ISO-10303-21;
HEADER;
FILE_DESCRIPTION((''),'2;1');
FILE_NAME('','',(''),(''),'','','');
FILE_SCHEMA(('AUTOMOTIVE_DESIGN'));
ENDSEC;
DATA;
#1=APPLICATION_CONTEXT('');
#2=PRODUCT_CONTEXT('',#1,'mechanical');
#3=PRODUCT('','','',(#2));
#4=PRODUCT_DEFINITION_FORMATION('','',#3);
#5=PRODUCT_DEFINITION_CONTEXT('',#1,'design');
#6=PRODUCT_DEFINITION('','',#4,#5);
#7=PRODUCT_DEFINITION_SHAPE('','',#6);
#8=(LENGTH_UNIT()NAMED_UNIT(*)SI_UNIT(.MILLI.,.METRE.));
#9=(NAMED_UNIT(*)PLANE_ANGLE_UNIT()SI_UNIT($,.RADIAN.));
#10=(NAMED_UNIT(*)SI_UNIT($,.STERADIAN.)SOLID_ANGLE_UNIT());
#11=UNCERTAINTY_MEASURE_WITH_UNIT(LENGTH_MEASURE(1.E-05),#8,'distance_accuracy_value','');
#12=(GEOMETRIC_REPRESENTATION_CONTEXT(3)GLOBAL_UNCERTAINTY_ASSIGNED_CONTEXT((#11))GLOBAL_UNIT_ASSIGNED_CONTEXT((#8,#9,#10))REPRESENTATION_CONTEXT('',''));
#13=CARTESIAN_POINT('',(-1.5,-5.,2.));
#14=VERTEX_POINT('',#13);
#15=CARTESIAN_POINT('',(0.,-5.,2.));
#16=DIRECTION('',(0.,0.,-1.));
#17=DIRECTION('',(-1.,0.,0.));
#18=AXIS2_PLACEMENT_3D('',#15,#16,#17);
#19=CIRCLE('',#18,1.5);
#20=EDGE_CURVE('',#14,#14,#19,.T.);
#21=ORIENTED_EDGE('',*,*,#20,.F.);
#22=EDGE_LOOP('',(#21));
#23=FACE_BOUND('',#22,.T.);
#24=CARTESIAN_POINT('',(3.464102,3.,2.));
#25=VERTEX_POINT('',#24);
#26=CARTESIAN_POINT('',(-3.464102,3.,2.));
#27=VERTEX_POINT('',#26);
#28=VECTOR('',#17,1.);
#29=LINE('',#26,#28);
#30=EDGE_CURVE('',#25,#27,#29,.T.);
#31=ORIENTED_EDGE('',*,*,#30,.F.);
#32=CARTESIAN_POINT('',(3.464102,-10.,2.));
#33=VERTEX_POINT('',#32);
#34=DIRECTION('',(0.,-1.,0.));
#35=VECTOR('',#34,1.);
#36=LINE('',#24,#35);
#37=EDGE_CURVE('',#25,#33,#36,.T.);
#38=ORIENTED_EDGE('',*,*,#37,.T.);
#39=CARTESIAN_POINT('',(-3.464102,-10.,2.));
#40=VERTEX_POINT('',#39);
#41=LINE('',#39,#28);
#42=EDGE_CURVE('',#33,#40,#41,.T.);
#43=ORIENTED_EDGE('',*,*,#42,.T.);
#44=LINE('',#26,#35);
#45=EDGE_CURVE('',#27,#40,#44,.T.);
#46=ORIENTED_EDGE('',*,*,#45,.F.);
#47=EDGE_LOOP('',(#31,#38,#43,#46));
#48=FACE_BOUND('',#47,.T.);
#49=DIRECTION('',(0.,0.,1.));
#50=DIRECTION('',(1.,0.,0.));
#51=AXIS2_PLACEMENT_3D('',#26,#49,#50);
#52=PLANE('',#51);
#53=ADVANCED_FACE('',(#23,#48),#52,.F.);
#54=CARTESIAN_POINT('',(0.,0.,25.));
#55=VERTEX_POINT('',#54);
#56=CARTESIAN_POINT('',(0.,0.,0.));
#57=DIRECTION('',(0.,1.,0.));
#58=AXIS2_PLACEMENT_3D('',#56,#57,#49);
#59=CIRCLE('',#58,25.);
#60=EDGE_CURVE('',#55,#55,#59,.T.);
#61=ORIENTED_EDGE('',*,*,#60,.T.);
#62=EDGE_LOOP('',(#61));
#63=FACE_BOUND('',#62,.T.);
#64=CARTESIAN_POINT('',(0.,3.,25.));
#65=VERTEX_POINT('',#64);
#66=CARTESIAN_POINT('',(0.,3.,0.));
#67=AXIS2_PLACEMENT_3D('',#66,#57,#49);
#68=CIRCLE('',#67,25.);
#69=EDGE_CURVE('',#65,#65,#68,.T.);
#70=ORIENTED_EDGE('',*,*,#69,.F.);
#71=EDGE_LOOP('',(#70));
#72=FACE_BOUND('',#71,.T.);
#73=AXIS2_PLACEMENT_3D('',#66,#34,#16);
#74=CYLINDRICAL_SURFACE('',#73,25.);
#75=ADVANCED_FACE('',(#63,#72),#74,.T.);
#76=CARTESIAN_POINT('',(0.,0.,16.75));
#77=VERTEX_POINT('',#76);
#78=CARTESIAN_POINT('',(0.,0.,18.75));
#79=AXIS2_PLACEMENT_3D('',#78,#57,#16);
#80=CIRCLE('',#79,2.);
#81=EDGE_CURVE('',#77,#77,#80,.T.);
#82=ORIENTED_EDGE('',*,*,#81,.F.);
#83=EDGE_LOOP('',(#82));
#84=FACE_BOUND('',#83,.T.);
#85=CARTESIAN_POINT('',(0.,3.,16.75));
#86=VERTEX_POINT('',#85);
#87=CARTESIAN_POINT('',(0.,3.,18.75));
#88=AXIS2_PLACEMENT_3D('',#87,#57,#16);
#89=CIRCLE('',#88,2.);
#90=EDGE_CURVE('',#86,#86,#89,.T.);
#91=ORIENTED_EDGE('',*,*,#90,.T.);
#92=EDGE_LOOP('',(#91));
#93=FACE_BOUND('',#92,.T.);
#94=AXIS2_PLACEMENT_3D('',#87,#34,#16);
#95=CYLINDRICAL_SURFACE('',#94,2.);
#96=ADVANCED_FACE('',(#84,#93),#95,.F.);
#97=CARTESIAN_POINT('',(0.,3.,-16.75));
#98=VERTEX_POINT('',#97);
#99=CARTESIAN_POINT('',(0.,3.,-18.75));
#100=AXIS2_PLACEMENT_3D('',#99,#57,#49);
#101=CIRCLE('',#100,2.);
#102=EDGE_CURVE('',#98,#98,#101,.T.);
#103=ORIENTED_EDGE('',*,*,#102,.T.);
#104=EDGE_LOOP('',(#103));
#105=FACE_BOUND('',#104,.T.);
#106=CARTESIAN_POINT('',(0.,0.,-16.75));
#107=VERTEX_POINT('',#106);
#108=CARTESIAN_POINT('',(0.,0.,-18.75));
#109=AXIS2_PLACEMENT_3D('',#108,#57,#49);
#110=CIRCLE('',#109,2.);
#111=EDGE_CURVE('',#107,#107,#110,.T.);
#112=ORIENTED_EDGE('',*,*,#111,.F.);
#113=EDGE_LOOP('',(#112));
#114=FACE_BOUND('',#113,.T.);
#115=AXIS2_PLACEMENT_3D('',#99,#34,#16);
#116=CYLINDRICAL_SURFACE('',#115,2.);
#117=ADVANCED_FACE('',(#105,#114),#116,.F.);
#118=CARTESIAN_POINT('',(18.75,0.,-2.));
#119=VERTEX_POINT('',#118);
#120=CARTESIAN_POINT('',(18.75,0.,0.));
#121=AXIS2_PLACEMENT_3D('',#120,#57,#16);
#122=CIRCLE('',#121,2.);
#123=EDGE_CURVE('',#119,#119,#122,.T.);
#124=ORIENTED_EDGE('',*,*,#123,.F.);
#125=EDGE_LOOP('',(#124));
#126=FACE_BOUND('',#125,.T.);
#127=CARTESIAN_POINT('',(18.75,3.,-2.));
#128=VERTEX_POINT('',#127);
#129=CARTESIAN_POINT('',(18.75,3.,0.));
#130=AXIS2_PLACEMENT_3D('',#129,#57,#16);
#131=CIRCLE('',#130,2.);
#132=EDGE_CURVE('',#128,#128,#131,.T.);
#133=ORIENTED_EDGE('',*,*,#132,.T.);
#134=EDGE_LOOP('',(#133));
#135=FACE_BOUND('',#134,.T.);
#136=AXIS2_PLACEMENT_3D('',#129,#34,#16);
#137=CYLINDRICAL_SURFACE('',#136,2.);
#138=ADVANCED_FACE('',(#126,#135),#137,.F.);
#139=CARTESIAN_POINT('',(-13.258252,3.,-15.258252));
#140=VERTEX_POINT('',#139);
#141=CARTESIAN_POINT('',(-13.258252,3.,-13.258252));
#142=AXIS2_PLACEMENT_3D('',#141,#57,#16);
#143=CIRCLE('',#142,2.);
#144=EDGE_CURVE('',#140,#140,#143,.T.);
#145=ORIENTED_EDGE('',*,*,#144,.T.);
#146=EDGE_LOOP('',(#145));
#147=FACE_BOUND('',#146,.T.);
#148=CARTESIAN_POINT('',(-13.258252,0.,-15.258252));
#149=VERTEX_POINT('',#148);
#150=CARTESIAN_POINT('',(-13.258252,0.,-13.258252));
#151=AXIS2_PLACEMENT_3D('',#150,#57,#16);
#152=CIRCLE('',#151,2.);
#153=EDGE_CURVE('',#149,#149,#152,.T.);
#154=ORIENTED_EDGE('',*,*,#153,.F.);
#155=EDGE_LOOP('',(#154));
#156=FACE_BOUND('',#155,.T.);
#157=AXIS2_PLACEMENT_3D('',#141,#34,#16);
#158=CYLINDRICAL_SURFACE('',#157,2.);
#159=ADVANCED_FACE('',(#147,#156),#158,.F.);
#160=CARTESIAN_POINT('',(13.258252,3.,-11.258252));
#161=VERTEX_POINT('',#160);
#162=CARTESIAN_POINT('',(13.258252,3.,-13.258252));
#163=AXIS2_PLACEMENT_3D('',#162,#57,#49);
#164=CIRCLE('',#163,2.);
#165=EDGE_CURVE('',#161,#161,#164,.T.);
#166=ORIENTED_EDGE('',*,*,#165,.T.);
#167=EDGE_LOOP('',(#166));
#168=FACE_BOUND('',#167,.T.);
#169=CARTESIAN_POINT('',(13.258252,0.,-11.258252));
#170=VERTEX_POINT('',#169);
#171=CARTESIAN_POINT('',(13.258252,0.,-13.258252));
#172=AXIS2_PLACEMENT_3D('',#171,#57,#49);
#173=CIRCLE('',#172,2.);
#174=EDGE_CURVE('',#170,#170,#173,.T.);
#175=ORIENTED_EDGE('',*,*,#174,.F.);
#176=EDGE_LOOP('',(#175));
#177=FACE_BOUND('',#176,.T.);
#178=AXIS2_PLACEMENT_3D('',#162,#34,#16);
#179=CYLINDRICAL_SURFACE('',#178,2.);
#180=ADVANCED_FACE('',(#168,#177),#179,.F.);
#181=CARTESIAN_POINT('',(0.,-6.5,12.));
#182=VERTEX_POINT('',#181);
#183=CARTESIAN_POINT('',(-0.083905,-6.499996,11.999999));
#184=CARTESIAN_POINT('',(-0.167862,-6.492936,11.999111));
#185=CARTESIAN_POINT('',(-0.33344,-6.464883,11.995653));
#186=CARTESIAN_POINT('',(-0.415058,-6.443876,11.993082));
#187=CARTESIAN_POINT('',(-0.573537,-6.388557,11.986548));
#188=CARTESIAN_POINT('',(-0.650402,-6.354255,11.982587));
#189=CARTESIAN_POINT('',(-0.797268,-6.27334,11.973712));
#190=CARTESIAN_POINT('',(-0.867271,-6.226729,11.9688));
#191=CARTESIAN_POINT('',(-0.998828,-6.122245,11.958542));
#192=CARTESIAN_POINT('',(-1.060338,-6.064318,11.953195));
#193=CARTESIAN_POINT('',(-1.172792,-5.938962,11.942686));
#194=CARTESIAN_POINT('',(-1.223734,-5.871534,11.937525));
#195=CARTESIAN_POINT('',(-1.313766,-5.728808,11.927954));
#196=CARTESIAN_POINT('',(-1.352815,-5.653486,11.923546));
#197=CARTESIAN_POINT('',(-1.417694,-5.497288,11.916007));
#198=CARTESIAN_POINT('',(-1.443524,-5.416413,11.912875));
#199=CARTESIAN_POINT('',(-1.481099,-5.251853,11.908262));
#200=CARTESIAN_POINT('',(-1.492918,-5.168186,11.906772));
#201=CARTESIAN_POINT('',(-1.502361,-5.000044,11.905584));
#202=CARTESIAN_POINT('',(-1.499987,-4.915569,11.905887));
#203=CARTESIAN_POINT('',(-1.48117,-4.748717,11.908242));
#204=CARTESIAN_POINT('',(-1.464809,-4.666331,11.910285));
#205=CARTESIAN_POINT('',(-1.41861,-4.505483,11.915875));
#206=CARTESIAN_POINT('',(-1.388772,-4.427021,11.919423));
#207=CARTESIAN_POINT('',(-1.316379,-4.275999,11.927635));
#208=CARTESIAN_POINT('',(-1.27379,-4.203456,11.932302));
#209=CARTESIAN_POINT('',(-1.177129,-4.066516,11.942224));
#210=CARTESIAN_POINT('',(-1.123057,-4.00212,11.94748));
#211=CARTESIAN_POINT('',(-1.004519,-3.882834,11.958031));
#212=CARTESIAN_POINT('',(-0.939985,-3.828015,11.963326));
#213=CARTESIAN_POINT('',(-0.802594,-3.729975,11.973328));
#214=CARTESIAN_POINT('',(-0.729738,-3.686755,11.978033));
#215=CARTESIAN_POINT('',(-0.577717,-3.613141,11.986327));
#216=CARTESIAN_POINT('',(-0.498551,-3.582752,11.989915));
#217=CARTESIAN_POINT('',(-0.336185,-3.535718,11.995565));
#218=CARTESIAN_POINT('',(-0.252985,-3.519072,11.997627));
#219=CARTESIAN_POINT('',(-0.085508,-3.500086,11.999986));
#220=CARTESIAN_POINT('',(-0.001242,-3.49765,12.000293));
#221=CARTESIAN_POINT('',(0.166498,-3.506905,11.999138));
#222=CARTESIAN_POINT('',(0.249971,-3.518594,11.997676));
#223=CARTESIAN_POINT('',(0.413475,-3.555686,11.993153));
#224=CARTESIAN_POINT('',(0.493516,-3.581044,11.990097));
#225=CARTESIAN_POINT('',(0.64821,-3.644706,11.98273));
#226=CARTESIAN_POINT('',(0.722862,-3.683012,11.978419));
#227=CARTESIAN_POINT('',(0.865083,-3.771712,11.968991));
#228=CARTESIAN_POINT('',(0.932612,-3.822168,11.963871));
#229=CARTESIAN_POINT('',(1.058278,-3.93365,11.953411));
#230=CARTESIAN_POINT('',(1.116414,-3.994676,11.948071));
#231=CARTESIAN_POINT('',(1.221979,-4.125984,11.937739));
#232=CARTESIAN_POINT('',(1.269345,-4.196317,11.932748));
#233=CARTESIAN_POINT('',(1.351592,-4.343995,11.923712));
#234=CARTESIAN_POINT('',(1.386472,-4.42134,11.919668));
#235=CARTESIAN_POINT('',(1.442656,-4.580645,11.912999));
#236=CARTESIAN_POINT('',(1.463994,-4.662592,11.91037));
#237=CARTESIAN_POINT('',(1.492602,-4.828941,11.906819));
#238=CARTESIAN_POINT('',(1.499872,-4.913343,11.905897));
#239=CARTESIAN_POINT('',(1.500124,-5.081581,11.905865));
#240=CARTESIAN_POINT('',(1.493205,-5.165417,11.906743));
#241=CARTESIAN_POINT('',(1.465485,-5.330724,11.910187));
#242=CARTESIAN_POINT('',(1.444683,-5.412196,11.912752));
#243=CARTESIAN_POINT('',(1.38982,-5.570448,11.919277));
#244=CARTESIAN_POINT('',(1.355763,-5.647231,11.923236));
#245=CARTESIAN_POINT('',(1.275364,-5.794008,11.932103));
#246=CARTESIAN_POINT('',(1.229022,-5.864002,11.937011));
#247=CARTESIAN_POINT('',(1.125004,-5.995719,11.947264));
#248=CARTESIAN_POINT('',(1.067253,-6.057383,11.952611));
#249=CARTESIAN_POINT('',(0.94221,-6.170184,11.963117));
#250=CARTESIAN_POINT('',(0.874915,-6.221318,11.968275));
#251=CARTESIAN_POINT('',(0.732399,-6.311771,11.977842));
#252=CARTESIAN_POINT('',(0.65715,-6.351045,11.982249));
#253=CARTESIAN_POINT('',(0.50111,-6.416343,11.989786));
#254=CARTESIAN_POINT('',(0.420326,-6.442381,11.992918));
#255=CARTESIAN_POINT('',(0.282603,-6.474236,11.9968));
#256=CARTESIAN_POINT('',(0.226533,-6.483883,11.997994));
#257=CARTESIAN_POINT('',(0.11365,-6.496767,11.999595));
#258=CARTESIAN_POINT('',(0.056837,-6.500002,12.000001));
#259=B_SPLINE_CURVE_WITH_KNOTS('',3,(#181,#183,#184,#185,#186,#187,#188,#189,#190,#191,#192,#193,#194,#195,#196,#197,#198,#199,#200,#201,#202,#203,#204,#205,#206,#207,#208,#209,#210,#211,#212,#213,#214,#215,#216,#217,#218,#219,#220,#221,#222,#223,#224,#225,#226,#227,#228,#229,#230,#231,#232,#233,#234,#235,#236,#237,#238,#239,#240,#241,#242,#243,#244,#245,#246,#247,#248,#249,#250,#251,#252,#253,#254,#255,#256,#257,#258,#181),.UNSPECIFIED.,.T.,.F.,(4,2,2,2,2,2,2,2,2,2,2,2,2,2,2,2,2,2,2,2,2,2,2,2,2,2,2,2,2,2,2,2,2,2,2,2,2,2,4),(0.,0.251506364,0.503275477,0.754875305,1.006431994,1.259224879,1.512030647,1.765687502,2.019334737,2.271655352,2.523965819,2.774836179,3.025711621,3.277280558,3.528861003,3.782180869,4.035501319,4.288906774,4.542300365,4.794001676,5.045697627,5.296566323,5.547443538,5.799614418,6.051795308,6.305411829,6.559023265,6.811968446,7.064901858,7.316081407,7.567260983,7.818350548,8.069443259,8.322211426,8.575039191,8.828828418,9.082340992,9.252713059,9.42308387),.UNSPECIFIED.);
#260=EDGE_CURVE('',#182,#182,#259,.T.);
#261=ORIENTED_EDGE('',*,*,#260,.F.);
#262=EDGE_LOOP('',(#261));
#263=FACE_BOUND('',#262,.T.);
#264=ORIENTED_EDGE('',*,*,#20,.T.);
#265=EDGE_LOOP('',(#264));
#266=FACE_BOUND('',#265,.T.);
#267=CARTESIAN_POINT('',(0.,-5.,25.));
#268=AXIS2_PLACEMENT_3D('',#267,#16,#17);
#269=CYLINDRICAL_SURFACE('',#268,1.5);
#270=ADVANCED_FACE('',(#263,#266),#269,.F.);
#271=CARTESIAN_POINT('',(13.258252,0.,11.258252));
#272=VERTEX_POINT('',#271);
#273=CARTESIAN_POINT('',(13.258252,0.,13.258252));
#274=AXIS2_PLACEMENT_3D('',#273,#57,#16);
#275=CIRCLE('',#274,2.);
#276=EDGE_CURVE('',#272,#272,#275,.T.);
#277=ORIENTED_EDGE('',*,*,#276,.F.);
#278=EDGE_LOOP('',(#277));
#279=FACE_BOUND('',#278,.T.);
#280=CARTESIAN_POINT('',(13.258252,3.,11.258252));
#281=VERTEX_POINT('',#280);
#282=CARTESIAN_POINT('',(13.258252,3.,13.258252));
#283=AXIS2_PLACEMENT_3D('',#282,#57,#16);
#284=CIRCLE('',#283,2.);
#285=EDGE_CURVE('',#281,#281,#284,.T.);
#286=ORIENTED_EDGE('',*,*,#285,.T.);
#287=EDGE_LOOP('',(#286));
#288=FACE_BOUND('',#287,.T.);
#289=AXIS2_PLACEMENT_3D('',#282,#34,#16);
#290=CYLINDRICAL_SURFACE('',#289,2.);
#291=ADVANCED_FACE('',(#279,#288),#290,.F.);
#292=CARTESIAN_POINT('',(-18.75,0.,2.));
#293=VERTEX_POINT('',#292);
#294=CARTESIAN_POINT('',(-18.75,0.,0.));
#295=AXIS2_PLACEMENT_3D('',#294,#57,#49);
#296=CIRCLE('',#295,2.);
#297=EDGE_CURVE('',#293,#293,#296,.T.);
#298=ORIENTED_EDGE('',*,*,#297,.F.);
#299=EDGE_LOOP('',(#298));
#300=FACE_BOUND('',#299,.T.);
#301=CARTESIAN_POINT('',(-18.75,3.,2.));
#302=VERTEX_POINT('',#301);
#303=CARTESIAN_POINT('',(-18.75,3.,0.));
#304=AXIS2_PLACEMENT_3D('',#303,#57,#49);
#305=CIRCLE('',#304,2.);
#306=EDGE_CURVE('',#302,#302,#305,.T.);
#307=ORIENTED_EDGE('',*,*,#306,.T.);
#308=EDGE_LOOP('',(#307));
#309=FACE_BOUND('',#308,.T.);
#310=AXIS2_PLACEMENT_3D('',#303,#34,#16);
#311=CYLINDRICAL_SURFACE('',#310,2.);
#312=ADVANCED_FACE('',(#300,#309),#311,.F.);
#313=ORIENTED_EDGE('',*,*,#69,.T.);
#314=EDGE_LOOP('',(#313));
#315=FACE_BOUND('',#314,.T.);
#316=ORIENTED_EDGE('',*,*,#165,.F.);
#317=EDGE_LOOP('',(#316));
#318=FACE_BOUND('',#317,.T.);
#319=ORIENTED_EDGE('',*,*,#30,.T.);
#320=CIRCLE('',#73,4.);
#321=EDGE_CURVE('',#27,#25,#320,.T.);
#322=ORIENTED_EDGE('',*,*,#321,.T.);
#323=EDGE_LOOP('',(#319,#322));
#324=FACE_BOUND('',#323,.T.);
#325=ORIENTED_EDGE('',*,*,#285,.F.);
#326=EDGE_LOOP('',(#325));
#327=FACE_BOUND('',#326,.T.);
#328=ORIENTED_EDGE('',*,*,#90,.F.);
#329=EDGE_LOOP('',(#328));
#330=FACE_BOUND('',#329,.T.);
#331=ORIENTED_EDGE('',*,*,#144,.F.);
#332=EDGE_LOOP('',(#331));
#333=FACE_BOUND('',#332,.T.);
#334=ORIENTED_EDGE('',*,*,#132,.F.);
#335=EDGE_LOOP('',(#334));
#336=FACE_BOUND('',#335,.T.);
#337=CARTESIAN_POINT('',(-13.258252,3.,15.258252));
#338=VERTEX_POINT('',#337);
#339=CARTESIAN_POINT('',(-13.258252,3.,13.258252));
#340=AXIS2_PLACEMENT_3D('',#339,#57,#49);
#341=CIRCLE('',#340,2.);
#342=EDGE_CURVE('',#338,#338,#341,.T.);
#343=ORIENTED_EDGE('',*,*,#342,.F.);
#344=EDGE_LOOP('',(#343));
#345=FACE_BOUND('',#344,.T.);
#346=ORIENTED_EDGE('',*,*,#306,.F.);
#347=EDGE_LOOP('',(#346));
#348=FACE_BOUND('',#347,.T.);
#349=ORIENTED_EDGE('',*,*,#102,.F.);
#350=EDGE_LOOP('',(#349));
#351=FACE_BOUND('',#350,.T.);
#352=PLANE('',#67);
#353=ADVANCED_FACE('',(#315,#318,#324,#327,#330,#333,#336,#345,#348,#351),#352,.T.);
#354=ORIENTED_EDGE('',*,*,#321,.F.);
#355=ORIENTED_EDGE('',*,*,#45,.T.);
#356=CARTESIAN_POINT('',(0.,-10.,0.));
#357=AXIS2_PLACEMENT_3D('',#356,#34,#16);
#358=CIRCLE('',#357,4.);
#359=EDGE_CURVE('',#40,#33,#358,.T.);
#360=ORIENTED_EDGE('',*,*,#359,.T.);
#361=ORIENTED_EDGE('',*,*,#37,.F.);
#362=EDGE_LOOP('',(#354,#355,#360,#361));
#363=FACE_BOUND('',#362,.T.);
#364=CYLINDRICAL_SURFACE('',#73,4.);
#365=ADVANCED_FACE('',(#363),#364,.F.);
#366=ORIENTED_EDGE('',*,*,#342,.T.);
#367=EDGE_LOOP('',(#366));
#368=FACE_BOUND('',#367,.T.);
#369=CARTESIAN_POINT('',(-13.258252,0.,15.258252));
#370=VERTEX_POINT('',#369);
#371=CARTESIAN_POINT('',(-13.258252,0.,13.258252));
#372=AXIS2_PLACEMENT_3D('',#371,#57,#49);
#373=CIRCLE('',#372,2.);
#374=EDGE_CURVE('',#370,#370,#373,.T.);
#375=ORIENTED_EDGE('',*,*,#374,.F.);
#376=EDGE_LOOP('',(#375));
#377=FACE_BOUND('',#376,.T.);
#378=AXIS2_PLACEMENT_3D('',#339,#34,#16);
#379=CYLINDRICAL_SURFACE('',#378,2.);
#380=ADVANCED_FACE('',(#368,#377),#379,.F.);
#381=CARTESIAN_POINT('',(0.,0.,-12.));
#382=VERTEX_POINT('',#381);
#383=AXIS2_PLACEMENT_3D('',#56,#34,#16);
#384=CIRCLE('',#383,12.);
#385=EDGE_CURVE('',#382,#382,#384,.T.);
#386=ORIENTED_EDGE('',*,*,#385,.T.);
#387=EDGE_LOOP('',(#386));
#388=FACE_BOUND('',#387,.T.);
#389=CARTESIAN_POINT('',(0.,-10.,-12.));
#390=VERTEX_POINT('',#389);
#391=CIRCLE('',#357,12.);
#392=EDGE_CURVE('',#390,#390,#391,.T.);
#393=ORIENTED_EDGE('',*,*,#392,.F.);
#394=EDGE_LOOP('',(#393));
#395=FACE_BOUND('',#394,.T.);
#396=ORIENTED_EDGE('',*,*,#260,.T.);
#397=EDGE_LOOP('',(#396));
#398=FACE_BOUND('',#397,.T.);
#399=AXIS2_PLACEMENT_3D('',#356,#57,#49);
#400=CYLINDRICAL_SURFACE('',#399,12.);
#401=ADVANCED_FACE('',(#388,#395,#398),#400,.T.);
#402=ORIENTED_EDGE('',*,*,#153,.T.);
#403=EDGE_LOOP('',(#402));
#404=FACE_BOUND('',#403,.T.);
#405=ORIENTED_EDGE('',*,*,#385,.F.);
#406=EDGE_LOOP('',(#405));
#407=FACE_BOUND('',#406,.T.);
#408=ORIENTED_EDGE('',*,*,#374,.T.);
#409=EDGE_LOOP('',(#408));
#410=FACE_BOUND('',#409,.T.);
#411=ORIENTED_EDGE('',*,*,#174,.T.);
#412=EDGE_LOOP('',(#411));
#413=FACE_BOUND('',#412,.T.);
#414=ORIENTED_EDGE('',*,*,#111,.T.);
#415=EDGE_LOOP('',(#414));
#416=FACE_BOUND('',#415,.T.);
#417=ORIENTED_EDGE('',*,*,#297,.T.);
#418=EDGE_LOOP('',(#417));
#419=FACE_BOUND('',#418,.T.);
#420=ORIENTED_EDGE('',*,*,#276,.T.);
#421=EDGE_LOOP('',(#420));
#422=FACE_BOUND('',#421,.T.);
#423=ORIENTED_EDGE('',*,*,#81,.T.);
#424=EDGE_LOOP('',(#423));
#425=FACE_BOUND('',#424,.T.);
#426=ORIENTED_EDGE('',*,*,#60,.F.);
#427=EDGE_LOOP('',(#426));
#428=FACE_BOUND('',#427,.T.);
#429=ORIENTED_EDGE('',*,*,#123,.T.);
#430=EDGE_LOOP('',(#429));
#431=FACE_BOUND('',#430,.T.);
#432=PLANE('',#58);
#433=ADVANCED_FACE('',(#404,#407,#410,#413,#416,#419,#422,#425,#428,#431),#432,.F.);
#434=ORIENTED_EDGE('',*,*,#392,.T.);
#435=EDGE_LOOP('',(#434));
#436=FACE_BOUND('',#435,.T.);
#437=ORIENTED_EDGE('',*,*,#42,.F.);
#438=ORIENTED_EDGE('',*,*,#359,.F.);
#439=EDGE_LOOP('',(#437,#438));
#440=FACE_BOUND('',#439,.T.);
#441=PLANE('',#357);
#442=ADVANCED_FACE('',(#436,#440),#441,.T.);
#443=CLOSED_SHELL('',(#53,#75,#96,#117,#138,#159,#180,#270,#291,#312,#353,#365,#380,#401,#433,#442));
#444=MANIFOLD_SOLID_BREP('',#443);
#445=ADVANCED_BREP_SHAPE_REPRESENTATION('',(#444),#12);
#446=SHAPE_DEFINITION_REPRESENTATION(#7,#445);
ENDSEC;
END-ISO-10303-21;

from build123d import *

# Parameters (mm, degrees)
SKETCH_1_R          = 25
SKETCH_1_R_2        = 2
EXTRUDE_1_DEPTH     = 3
SKETCH_2_R          = 12
EXTRUDE_2_DEPTH     = 10
CUT_EXTRUDE_1_DEPTH = 38.669616404
SKETCH_4_R          = 1.5
CUT_EXTRUDE_2_DEPTH = 39.13135193


with BuildPart() as part:
    # 草图1 → 凸台-拉伸1 (new body)
    with BuildSketch(Plane(origin=(0, 0, 0), x_dir=(1, 0, 0), z_dir=(0, 1, 0))):
        with Locations(Location((0, 0, 0), (0, 0, 270))):
            Circle(SKETCH_1_R)
        with Locations(Location((-18.75, 0, 0), (0, 0, 270))):
            Circle(SKETCH_1_R_2, mode=Mode.SUBTRACT)
        with Locations(Location((0, -18.75, 0), (0, 0, 90))):
            Circle(SKETCH_1_R_2, mode=Mode.SUBTRACT)
        with Locations(Location((-13.258252147, -13.258252147, 0), (0, 0, 270))):
            Circle(SKETCH_1_R_2, mode=Mode.SUBTRACT)
        with Locations(Location((0, 18.75, 0), (0, 0, 270))):
            Circle(SKETCH_1_R_2, mode=Mode.SUBTRACT)
        with Locations(Location((-13.258252147, 13.258252147, 0), (0, 0, 90))):
            Circle(SKETCH_1_R_2, mode=Mode.SUBTRACT)
        with Locations(Location((13.258252147, 13.258252147, 0), (0, 0, 270))):
            Circle(SKETCH_1_R_2, mode=Mode.SUBTRACT)
        with Locations(Location((18.75, 0, 0), (0, 0, 90))):
            Circle(SKETCH_1_R_2, mode=Mode.SUBTRACT)
        with Locations(Location((13.258252147, -13.258252147, 0), (0, 0, 90))):
            Circle(SKETCH_1_R_2, mode=Mode.SUBTRACT)
    extrude(amount=EXTRUDE_1_DEPTH)

    # 草图2 → 凸台-拉伸2 (add)
    with BuildSketch(Plane.XZ):
        with Locations(Location((0, 0, 0), (0, 0, 270))):
            Circle(SKETCH_2_R)
    extrude(amount=EXTRUDE_2_DEPTH)

    # 草图3 → 切除-拉伸1 (cut, through all)
    with BuildSketch(Plane.XZ.offset(10)):
        with BuildLine():
            Line((-3.464101615, 2), (3.464101615, 2))
            ThreePointArc((3.464101615, 2), (0, -4), (-3.464101615, 2))
        make_face()
    extrude(amount=-CUT_EXTRUDE_1_DEPTH, mode=Mode.SUBTRACT)

    # 草图4 → 切除-拉伸2 (cut, through all)
    with BuildSketch(Plane(origin=(0, 0, 2), x_dir=(-1, 0, 0), z_dir=(0, 0, -1))):
        with Locations((0, -5)):
            Circle(SKETCH_4_R)
    extrude(amount=-CUT_EXTRUDE_2_DEPTH, mode=Mode.SUBTRACT)


solid = part.part
